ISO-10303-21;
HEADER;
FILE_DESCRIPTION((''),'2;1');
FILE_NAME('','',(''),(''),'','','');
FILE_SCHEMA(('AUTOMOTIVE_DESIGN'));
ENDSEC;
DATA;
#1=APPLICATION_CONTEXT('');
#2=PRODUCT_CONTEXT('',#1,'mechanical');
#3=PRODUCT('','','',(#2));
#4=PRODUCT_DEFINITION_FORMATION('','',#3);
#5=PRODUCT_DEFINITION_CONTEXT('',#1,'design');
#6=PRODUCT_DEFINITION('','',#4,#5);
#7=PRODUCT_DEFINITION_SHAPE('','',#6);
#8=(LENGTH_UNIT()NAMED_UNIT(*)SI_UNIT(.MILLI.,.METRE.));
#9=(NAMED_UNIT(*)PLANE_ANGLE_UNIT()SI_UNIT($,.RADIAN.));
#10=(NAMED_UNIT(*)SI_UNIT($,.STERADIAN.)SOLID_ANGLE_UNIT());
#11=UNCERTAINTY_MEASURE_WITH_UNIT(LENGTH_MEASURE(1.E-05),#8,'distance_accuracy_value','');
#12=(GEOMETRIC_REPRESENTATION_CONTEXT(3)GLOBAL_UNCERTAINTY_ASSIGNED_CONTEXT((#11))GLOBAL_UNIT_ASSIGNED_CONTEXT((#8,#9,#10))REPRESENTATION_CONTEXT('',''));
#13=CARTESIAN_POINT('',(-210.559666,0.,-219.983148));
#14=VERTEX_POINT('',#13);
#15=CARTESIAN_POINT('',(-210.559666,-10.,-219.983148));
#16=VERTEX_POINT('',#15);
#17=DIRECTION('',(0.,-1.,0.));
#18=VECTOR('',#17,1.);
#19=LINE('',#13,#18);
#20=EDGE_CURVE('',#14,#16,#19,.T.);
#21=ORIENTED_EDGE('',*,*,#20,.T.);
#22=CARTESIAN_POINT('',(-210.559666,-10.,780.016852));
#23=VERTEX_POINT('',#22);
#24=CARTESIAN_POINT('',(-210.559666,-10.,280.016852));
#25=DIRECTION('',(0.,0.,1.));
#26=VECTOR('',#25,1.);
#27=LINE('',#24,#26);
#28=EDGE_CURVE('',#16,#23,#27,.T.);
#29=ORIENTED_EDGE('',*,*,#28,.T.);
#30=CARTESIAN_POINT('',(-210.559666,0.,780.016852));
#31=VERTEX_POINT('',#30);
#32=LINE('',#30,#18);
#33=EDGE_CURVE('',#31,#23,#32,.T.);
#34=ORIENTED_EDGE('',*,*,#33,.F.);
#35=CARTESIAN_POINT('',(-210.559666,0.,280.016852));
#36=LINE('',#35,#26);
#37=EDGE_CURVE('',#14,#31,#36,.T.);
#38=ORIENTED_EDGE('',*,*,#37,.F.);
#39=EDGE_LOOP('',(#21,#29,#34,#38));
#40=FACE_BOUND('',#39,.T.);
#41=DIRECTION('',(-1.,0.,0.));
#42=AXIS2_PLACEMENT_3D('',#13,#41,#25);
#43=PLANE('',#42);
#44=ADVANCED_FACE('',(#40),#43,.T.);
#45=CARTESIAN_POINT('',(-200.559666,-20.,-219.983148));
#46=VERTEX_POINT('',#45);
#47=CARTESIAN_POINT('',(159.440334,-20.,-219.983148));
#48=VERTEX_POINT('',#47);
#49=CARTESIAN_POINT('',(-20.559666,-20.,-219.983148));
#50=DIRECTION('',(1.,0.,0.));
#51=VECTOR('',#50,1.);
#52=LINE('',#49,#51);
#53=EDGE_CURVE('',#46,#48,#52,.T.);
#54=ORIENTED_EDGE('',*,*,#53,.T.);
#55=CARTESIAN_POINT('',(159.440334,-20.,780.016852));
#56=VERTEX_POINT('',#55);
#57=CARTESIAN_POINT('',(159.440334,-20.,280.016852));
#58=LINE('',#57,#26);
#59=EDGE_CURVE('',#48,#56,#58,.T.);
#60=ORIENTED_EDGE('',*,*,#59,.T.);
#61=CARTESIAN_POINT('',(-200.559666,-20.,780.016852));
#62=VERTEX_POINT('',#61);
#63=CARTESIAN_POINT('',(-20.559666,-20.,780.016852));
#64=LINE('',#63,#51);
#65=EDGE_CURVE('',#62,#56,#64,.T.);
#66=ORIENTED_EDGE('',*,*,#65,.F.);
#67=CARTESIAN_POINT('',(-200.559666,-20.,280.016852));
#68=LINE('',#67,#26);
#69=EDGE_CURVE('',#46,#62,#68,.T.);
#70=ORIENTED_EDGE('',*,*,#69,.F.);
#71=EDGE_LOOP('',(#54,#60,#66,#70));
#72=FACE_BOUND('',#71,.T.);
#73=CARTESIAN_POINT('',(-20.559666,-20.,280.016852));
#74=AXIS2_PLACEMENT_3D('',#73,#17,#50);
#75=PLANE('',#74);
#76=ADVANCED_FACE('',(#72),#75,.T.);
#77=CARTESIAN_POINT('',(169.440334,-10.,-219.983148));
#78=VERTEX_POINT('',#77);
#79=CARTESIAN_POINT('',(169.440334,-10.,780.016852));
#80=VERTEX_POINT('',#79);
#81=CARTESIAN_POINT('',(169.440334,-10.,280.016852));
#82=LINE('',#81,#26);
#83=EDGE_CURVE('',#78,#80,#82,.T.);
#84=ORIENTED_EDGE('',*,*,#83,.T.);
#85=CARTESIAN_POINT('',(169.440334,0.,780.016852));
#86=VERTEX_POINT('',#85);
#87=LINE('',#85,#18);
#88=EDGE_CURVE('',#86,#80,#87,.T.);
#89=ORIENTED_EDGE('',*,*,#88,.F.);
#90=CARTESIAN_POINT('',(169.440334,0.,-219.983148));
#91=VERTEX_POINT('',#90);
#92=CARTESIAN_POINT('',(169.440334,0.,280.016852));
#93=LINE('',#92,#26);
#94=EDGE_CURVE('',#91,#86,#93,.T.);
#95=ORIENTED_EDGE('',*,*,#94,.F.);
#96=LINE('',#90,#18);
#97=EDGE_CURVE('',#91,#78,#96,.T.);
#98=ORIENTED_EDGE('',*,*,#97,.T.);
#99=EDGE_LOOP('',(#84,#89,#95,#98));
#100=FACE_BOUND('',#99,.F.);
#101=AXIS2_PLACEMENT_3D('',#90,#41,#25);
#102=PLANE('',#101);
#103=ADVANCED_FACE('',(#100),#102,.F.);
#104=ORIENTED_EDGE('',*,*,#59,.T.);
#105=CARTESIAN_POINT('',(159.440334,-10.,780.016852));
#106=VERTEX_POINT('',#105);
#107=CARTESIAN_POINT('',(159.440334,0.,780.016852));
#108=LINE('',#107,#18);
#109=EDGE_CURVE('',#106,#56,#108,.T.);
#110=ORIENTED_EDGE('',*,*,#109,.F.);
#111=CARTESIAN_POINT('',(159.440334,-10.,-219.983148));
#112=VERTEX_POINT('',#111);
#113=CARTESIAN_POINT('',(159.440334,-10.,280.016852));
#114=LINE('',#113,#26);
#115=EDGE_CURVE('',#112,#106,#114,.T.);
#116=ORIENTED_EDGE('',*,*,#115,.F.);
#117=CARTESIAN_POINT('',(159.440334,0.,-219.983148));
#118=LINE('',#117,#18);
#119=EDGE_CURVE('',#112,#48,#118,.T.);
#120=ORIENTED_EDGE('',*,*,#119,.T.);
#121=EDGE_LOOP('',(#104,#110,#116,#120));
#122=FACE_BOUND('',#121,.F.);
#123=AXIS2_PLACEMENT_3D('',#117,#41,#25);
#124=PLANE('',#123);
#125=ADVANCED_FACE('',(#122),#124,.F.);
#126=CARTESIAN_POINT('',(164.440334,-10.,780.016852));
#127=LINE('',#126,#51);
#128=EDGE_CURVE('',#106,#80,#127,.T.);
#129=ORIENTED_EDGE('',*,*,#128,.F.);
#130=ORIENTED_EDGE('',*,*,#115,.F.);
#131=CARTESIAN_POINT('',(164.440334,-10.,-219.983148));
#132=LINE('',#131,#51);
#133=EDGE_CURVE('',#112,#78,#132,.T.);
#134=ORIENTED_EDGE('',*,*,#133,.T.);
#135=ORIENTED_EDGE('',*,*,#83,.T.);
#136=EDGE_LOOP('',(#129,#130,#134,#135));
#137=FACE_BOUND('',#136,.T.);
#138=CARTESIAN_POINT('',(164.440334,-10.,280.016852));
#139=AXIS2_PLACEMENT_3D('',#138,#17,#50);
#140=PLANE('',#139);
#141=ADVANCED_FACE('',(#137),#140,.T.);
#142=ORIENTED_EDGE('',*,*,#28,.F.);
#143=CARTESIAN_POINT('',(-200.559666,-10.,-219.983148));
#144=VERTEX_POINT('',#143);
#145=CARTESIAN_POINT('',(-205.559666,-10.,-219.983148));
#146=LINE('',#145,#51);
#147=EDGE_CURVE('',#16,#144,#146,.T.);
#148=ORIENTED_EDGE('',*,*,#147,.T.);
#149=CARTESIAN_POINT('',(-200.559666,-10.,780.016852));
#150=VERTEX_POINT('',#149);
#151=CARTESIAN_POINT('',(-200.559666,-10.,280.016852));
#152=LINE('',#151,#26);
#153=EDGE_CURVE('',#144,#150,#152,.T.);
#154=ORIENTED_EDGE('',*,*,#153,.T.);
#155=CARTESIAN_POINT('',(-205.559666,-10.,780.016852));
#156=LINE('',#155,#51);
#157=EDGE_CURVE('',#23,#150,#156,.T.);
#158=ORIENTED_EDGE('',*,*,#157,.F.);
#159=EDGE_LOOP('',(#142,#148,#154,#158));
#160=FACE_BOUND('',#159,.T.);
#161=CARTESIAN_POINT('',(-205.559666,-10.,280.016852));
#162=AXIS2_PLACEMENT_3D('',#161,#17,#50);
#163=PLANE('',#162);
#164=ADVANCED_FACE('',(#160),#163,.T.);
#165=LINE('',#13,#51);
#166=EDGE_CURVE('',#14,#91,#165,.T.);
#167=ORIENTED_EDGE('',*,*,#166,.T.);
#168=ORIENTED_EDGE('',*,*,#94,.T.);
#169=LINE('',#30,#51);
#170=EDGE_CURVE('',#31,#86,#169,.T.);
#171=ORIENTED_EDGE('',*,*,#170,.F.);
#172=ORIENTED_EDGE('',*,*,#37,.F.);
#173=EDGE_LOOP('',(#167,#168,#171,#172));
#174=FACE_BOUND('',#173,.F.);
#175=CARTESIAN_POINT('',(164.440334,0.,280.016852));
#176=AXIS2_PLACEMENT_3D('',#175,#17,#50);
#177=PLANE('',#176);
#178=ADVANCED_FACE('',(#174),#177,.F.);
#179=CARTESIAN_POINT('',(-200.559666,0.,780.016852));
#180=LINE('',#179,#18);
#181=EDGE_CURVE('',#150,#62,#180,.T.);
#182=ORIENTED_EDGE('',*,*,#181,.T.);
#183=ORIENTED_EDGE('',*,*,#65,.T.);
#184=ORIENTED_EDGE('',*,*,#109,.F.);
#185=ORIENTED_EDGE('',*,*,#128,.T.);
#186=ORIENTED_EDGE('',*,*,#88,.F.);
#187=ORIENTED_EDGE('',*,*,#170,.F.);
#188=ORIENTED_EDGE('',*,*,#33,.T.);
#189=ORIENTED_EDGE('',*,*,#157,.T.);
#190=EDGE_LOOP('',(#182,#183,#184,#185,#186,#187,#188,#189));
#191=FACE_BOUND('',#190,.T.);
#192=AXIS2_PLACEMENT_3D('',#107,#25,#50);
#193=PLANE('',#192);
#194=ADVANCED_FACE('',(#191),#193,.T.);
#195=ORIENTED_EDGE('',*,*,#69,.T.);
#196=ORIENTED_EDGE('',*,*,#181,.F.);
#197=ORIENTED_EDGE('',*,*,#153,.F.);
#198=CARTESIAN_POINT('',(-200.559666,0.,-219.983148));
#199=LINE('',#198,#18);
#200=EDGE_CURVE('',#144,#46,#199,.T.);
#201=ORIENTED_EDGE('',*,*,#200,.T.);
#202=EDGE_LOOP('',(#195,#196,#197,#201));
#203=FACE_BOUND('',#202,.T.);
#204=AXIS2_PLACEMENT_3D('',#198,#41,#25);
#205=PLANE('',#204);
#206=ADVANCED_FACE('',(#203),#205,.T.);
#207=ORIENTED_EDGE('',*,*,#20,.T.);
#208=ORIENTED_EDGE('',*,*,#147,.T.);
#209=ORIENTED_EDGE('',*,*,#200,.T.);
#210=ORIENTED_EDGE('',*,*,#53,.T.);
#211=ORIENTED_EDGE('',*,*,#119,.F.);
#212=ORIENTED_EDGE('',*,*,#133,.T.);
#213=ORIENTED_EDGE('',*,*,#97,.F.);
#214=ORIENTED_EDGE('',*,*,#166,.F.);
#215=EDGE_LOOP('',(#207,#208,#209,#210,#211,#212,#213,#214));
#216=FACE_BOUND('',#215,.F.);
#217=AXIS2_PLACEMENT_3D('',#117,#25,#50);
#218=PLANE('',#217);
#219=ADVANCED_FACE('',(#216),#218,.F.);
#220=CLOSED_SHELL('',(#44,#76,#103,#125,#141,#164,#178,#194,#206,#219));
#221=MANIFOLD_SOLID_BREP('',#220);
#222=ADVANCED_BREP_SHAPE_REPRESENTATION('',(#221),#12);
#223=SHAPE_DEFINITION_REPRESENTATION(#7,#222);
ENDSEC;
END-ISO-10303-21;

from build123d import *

# Parameters (mm, degrees)
F0_W     = 360
F0_H     = 1000
F1_DEPTH = 20
F0_W_2   = 10
F2_DEPTH = 10


with BuildPart() as f1:
    # F0 (on Front) → F1 (new body)
    with BuildSketch(Plane.XZ):
        with Locations((-20.559666, 280.016852)):
            Rectangle(F0_W, F0_H)
    extrude(amount=F1_DEPTH)

    # F0 (on Front) → F2 (join)
    with BuildSketch(Plane.XZ):
        with Locations((164.440334, 280.016852)):
            Rectangle(F0_W_2, F0_H)
        with Locations((-205.559666, 280.016852)):
            Rectangle(F0_W_2, F0_H)
    extrude(amount=F2_DEPTH)


solid = f1.part
